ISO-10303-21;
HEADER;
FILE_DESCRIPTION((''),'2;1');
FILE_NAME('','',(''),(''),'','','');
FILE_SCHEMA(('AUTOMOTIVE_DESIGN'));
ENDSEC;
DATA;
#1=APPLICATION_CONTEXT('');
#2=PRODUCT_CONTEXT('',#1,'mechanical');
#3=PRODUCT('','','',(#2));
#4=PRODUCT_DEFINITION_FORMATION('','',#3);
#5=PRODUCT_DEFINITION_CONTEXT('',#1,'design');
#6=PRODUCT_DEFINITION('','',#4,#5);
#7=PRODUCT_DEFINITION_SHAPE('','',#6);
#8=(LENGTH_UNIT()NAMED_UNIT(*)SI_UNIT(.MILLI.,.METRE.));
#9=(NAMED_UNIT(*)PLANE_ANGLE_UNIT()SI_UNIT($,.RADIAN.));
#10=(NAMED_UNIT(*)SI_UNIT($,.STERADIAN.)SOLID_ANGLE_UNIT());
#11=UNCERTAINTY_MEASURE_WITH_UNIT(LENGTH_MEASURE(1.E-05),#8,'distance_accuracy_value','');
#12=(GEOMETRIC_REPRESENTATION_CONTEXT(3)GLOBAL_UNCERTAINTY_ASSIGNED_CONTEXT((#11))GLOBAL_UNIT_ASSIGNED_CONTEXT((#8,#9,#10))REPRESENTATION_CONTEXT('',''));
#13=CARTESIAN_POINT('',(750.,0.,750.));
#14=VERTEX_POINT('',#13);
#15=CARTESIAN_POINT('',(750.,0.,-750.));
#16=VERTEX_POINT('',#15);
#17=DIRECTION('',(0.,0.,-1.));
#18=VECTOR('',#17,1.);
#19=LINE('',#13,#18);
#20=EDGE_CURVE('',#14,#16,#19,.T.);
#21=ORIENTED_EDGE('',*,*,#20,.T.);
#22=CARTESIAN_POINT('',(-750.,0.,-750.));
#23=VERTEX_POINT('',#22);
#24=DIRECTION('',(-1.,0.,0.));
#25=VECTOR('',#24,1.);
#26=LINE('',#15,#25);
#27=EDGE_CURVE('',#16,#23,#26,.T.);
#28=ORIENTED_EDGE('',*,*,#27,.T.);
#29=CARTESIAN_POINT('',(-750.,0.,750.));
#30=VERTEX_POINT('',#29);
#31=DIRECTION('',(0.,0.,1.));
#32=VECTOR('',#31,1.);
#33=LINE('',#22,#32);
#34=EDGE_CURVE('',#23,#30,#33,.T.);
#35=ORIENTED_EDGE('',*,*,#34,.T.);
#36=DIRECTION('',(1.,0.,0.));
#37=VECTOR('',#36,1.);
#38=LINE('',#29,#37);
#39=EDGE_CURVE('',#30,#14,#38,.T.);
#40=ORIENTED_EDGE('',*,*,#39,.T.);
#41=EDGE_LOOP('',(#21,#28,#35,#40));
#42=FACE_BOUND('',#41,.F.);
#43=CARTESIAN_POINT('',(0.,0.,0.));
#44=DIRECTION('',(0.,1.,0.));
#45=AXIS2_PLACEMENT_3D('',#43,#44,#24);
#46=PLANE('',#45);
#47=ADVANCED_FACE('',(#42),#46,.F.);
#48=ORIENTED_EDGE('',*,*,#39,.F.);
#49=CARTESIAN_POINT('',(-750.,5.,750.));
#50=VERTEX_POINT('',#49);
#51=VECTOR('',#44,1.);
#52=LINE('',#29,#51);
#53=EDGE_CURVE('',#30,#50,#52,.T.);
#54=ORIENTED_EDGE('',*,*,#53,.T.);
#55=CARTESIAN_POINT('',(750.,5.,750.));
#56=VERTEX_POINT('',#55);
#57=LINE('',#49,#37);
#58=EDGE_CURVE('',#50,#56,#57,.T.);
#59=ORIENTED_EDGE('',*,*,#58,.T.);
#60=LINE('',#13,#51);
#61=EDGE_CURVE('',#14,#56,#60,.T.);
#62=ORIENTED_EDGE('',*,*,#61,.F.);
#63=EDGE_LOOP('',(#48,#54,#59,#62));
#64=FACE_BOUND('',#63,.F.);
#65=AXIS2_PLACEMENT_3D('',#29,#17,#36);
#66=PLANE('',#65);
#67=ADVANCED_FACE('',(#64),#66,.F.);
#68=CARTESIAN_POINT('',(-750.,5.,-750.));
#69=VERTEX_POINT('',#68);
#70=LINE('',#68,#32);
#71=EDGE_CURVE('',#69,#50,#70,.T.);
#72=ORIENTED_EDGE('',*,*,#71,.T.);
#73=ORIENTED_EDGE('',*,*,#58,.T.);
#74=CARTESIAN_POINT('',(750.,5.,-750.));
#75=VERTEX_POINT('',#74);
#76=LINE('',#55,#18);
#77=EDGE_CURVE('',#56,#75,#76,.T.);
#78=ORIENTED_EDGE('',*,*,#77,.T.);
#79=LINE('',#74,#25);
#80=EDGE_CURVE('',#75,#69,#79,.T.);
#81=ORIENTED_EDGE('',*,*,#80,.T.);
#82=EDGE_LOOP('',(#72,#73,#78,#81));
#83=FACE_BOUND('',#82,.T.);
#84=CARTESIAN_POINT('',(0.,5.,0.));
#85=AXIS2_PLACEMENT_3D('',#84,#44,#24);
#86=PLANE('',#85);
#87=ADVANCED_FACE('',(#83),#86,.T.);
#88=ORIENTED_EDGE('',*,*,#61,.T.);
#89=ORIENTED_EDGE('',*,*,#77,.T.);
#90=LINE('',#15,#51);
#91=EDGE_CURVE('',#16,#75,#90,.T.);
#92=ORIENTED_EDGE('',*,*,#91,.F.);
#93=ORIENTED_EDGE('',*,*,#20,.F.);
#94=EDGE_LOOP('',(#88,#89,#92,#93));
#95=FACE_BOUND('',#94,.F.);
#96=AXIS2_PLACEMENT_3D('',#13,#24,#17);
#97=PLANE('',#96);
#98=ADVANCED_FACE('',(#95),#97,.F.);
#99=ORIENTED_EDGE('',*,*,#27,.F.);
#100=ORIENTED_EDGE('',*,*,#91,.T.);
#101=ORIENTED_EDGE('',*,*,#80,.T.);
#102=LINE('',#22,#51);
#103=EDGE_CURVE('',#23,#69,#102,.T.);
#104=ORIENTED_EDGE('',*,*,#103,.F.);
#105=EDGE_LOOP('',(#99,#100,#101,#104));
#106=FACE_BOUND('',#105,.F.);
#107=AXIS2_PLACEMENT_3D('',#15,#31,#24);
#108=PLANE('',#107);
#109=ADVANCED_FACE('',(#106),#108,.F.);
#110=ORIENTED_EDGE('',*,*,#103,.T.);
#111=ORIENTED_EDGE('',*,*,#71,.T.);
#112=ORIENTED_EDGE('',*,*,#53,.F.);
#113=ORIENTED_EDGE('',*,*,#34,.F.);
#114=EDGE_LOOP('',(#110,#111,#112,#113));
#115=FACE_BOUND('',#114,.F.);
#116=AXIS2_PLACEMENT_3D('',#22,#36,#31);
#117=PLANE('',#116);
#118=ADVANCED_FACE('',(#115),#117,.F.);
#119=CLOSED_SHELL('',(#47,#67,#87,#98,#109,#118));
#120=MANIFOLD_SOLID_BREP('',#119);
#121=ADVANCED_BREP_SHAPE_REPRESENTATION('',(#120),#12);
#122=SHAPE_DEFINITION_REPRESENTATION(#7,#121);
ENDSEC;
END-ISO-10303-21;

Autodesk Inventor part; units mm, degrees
ref_plane "YZ Plane" through (0, 0, 0) normal (1, 0, 0) x (0, 1, 0)
ref_plane "XZ Plane" through (0, 0, 0) normal (0, 1, 0) x (-1, 0, 0)
ref_plane "XY Plane" through (0, 0, 0) normal (0, 0, 1) x (1, 0, 0)
sketch "Эскиз1" plane through (0, 0, 0) normal (0, 1, 0) x (-1, 0, 0)
  line L0 (750, 750) -> (-750, 750)
  line L1 (-750, 750) -> (-750, -750)
  line L2 (-750, -750) -> (750, -750)
  line L3 (750, -750) -> (750, 750)
  line L4 (750, 750) -> (-750, -750) construction
  line L5 (-750, 750) -> (750, -750) construction
  point P0 (0, 0)
  dimension "d0" = 1500
  dimension "d1" = 1500
extrude "Пластина1" add sketch "Эскиз1" along normal blind 5
equation "\"d2\" = Толщина"
equation "\"Радиус_гибки\" = Толщина"
equation "\"Ширина_просечки\" = Толщина"
equation "\"Глубина_просечки\" = 0.5 * Толщина"
equation "\"Радиус_перехода\" = Радиус_гибки"
equation "\"Радиус_Якоби\" = Радиус_гибки"
equation "\"Размер_зазора\" = Толщина"
equation "\"Толщина\" = 5"
properties part number "0931_CPY1" material "Steel"
